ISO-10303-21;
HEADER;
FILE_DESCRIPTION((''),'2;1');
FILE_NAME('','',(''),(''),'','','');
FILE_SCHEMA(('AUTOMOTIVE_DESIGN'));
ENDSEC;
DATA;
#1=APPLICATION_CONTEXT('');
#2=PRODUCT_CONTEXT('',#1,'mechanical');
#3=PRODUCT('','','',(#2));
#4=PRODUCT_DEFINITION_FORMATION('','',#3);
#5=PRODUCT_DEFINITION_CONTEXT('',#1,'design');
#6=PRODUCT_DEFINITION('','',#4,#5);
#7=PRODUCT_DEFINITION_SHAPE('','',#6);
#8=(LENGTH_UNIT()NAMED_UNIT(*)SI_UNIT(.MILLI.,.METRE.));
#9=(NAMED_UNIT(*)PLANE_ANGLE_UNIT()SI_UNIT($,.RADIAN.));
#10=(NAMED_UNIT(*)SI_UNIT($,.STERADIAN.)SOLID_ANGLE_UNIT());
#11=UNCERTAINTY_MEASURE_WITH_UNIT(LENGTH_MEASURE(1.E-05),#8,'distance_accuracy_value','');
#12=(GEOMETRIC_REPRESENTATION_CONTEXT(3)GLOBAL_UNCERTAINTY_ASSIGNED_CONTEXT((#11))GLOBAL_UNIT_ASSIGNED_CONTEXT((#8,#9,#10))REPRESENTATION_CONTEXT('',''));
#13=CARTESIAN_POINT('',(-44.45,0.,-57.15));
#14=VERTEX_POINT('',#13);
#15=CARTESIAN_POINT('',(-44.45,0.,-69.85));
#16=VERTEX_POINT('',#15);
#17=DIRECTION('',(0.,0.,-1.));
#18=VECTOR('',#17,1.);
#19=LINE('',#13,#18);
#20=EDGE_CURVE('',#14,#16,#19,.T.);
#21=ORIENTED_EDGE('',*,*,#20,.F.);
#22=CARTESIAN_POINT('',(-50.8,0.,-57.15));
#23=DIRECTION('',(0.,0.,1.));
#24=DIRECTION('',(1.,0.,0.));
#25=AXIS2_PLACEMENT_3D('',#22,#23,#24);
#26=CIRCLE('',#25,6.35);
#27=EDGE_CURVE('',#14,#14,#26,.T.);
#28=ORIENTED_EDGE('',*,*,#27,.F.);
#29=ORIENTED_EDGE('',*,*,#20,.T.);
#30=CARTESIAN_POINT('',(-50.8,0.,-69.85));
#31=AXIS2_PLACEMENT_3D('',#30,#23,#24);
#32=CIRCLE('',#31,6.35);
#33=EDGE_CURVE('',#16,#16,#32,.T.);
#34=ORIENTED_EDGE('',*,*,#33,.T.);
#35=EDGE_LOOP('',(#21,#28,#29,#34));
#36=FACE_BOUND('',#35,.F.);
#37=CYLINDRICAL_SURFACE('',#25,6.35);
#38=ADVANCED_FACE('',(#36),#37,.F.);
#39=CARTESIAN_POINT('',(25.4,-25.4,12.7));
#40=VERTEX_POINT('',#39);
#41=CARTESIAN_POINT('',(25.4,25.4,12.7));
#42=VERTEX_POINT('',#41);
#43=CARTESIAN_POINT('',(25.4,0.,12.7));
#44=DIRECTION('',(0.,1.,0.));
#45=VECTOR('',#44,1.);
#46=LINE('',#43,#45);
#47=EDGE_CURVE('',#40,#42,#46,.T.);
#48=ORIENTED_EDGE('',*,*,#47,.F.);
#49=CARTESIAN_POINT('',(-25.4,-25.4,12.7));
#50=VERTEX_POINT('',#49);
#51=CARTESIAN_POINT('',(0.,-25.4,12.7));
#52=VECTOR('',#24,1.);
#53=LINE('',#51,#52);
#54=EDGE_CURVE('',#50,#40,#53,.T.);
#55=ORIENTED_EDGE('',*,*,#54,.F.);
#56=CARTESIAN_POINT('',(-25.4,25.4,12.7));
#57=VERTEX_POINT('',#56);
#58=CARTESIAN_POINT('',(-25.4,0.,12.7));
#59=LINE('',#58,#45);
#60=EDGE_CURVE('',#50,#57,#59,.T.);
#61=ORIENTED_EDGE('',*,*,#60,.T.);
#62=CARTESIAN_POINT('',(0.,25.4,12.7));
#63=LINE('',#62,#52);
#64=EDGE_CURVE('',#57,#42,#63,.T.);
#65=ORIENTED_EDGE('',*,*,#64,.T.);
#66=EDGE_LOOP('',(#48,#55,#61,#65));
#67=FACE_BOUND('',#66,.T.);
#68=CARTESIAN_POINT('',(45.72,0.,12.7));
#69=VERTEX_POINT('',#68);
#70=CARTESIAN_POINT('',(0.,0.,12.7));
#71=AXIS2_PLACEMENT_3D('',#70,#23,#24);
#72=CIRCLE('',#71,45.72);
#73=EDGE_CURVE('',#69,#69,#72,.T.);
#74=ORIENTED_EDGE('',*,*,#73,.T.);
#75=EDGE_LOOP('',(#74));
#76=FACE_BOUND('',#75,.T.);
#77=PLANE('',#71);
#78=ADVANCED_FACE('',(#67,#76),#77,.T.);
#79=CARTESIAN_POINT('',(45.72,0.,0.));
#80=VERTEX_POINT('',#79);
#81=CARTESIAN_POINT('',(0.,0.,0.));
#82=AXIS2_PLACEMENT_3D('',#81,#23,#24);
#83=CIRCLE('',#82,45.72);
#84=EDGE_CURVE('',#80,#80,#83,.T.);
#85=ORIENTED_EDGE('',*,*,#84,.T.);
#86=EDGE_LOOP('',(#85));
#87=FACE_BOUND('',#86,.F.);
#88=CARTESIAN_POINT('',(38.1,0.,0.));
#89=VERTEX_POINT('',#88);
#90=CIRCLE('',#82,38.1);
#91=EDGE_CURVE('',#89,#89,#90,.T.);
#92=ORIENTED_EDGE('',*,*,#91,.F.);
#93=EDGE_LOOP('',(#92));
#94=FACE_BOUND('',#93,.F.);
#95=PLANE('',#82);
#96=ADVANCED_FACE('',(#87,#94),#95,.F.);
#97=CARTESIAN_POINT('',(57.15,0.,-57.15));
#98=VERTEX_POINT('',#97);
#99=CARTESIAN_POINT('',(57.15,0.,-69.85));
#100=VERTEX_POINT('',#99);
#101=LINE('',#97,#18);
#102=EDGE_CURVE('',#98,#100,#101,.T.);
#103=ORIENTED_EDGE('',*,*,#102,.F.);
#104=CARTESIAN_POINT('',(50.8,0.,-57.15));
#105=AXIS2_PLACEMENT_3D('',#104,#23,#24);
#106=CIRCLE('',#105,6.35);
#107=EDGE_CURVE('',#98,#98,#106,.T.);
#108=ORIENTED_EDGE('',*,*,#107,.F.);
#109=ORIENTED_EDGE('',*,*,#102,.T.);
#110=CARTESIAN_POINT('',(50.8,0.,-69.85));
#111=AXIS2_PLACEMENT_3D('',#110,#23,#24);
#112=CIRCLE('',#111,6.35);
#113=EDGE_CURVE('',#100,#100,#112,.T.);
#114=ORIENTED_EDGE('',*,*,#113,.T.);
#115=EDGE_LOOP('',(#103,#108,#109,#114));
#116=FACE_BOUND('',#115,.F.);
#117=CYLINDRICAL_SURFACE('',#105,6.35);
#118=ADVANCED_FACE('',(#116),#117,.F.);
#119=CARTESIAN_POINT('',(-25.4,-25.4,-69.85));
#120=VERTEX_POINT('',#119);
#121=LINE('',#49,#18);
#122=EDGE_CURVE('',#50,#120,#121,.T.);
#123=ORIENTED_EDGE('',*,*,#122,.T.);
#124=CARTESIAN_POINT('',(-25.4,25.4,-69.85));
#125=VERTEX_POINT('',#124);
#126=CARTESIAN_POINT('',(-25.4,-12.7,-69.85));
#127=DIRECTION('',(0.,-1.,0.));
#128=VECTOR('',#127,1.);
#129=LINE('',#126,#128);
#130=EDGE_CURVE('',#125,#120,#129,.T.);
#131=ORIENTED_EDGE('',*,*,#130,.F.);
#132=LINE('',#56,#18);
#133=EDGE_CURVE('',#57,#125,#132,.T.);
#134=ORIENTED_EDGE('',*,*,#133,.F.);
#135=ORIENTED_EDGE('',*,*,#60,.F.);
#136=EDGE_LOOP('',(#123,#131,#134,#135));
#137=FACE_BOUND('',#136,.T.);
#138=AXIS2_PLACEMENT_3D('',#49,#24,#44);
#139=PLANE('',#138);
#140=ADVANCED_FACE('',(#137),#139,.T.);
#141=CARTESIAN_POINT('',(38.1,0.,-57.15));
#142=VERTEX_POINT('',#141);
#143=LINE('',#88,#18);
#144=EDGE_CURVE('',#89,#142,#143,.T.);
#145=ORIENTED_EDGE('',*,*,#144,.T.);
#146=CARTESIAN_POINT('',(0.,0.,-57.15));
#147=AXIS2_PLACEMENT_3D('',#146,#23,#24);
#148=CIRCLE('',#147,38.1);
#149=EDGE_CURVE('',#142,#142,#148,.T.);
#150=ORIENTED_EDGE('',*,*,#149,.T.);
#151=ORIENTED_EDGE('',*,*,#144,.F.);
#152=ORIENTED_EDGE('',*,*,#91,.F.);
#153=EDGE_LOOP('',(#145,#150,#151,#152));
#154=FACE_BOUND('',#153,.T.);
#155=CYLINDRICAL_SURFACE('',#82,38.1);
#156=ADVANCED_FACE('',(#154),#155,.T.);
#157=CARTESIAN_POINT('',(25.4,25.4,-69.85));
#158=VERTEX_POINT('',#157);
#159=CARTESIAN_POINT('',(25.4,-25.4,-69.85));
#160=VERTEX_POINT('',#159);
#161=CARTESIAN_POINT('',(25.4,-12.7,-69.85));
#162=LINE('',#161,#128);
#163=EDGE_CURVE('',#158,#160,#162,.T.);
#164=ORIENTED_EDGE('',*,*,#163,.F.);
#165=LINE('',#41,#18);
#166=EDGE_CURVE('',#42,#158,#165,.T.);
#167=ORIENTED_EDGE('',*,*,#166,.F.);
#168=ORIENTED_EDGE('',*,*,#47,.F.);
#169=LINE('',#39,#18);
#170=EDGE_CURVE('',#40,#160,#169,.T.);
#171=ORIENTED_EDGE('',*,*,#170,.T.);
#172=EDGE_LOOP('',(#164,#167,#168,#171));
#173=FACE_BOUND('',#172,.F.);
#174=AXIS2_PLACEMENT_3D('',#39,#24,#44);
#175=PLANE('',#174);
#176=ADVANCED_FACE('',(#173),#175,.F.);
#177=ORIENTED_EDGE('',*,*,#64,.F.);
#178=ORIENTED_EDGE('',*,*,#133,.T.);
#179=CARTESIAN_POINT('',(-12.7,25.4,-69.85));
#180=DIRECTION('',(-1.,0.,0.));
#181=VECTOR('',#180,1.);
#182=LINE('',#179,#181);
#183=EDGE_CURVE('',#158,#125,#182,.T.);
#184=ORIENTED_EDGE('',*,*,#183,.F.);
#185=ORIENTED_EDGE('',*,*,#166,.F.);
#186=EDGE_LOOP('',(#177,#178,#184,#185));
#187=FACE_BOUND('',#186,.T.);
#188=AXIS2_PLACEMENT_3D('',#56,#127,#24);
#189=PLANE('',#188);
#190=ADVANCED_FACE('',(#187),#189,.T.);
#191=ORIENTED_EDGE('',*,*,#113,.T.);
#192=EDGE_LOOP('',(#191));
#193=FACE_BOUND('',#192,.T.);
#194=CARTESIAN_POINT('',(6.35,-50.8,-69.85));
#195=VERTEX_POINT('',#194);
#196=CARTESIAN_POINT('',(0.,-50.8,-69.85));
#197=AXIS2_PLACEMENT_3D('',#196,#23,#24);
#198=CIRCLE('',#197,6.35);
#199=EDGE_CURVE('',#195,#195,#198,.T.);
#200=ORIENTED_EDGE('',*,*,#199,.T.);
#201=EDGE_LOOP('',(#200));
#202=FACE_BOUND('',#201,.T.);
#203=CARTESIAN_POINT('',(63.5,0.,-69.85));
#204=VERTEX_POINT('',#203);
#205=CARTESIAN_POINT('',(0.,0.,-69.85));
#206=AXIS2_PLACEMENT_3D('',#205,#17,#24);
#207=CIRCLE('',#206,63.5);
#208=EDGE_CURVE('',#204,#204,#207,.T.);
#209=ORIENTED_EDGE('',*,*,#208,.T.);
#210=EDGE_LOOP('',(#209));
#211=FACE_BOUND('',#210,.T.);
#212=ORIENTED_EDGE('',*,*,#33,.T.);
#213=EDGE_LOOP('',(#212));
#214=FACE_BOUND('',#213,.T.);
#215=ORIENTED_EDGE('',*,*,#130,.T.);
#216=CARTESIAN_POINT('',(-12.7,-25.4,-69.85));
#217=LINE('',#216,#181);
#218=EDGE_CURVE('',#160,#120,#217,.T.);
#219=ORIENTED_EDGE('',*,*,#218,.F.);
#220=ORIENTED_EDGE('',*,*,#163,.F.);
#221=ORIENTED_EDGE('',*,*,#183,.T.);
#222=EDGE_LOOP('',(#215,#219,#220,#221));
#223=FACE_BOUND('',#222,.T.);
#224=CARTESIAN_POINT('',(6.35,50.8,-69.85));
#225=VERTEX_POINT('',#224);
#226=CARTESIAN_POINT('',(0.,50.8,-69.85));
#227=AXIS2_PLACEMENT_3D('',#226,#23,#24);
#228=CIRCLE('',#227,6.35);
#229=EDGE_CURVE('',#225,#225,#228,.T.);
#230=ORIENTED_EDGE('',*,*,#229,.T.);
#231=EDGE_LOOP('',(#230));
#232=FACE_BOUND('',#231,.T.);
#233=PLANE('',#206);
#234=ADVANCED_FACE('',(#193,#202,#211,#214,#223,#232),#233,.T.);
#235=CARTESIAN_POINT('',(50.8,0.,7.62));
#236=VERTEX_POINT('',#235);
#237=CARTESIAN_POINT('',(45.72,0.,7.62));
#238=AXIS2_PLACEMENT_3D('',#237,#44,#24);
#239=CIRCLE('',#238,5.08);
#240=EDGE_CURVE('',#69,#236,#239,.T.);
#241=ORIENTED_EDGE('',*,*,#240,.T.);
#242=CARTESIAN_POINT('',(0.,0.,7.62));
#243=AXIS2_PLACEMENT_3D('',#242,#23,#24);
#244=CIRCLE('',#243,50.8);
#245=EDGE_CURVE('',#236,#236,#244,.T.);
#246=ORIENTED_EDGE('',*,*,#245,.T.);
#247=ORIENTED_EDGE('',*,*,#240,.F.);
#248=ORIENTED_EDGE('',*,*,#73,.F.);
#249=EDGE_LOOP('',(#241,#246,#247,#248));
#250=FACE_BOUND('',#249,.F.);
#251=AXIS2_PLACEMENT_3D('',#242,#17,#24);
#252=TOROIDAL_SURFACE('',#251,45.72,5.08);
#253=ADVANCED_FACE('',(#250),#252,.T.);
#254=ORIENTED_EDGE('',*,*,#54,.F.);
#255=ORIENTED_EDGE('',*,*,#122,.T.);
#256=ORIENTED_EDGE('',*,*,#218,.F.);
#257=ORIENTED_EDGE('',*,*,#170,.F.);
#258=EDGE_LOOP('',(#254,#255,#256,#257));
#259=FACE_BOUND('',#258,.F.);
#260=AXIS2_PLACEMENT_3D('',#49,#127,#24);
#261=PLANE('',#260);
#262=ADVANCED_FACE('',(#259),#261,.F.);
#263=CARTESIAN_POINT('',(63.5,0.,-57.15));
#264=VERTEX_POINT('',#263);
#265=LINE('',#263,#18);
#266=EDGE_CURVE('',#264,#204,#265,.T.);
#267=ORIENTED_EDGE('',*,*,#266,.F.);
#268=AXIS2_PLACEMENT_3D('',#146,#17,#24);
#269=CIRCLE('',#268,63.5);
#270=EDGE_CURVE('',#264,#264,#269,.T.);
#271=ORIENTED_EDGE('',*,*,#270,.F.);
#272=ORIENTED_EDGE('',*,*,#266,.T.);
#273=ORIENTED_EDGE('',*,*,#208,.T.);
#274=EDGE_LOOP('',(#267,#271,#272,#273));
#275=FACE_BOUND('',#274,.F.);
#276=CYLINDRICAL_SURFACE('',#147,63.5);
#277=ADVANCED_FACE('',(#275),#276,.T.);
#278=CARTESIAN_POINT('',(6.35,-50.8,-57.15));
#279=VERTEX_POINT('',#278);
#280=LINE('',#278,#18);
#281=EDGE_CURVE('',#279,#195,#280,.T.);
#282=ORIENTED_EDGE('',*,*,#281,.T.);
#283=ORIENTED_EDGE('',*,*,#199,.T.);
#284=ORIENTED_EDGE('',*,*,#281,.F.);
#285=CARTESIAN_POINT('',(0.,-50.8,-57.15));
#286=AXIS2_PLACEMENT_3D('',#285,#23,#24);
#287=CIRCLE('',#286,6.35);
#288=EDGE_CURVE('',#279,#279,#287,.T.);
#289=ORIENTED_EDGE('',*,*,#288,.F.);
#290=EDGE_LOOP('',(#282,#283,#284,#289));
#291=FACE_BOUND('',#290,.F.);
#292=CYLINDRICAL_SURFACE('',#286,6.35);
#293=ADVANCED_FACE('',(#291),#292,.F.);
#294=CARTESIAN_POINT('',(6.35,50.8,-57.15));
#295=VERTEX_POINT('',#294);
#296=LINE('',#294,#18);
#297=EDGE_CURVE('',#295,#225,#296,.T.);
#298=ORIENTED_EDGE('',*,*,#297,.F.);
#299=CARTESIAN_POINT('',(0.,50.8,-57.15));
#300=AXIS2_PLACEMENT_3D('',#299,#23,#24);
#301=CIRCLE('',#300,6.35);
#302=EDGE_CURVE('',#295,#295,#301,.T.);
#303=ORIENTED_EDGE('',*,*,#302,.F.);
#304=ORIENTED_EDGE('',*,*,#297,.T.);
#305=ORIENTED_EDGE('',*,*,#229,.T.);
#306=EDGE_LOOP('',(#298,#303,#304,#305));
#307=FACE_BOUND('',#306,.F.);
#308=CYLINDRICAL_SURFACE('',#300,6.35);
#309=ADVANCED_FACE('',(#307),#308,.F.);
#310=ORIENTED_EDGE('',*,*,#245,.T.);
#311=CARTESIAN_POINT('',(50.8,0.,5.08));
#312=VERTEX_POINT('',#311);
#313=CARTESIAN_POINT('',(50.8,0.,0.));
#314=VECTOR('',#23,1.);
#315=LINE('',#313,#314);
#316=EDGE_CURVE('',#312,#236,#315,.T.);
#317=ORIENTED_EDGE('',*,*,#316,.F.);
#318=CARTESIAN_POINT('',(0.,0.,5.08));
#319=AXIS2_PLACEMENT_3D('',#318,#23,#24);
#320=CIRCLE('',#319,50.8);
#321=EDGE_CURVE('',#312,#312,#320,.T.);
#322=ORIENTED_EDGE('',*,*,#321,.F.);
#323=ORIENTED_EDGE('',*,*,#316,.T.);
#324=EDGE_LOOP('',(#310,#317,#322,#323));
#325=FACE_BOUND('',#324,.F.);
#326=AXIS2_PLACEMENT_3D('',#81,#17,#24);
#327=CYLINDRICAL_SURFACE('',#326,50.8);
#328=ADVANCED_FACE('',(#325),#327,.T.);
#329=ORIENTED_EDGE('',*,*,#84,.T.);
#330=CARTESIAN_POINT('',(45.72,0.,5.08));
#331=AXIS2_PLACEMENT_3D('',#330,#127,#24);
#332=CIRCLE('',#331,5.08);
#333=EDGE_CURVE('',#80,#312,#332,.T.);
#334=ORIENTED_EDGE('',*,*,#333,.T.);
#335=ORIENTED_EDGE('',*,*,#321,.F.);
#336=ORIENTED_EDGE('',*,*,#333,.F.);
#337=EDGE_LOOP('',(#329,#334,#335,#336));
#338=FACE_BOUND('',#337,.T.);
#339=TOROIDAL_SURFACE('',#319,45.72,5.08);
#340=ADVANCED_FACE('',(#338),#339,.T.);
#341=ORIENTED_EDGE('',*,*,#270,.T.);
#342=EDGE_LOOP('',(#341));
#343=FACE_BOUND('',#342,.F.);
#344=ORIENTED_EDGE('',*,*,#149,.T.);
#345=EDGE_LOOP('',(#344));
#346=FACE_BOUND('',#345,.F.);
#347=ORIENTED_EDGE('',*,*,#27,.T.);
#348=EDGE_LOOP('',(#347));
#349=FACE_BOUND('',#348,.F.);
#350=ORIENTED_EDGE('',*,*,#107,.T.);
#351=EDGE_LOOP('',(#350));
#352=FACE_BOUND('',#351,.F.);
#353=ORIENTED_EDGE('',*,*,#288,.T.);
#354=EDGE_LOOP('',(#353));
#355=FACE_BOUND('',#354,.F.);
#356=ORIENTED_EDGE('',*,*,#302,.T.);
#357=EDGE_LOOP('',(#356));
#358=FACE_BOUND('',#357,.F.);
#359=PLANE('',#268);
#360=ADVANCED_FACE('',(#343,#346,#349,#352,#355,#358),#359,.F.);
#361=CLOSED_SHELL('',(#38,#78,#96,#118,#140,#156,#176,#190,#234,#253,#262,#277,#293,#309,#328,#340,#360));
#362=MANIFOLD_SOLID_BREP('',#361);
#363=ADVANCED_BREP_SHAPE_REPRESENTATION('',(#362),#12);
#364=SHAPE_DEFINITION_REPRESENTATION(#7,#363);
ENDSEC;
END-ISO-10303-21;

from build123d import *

# Parameters (mm, degrees)
F0_R     = 50.8
F1_DEPTH = 12.7
F2_R     = 38.1
F3_DEPTH = 57.15
F4_R     = 63.5
F5_DEPTH = 12.7
F6_W     = 50.8
F6_H     = 50.8
F7_DEPTH = 112.776
F8_R     = 6.35
F9_DEPTH = 25.4
F10_R    = 5.08


with BuildPart() as f1:
    # F0 (on Top) → F1 (new body)
    with BuildSketch(Plane.XY):
        Circle(F0_R)
    extrude(amount=F1_DEPTH)

    # F2 (on face) → F3 (join)
    with BuildSketch(Plane.XY):
        Circle(F2_R)
    extrude(amount=-F3_DEPTH)

    # F4 (on face) → F5 (join)
    with BuildSketch(Plane(origin=(0, 0, -57.15), x_dir=(1, 0, 0), z_dir=(0, 0, -1))):
        Circle(F4_R)
    extrude(amount=F5_DEPTH)

    # F6 (on face) → F7 (cut)
    with BuildSketch(Plane.XY.offset(12.7)):
        Rectangle(F6_W, F6_H)
    extrude(amount=-F7_DEPTH, mode=Mode.SUBTRACT)

    # F8 (on face) → F9 (cut)
    with BuildSketch(Plane.XY.offset(-57.15)):
        with Locations((0, -50.8)):
            Circle(F8_R)
        with Locations((50.8, 0)):
            Circle(F8_R)
        with Locations((0, 50.8)):
            Circle(F8_R)
        with Locations((-50.8, 0)):
            Circle(F8_R)
    extrude(amount=-F9_DEPTH, mode=Mode.SUBTRACT)

    # F10
    f10_edges = [f1.edges().sort_by_distance(p)[0] for p in [
        (50.8, 0, 6.35),
        (-50.8, 0, 0),
        (-50.8, 0, 12.7),
    ]]
    fillet(f10_edges, radius=F10_R)


solid = f1.part
